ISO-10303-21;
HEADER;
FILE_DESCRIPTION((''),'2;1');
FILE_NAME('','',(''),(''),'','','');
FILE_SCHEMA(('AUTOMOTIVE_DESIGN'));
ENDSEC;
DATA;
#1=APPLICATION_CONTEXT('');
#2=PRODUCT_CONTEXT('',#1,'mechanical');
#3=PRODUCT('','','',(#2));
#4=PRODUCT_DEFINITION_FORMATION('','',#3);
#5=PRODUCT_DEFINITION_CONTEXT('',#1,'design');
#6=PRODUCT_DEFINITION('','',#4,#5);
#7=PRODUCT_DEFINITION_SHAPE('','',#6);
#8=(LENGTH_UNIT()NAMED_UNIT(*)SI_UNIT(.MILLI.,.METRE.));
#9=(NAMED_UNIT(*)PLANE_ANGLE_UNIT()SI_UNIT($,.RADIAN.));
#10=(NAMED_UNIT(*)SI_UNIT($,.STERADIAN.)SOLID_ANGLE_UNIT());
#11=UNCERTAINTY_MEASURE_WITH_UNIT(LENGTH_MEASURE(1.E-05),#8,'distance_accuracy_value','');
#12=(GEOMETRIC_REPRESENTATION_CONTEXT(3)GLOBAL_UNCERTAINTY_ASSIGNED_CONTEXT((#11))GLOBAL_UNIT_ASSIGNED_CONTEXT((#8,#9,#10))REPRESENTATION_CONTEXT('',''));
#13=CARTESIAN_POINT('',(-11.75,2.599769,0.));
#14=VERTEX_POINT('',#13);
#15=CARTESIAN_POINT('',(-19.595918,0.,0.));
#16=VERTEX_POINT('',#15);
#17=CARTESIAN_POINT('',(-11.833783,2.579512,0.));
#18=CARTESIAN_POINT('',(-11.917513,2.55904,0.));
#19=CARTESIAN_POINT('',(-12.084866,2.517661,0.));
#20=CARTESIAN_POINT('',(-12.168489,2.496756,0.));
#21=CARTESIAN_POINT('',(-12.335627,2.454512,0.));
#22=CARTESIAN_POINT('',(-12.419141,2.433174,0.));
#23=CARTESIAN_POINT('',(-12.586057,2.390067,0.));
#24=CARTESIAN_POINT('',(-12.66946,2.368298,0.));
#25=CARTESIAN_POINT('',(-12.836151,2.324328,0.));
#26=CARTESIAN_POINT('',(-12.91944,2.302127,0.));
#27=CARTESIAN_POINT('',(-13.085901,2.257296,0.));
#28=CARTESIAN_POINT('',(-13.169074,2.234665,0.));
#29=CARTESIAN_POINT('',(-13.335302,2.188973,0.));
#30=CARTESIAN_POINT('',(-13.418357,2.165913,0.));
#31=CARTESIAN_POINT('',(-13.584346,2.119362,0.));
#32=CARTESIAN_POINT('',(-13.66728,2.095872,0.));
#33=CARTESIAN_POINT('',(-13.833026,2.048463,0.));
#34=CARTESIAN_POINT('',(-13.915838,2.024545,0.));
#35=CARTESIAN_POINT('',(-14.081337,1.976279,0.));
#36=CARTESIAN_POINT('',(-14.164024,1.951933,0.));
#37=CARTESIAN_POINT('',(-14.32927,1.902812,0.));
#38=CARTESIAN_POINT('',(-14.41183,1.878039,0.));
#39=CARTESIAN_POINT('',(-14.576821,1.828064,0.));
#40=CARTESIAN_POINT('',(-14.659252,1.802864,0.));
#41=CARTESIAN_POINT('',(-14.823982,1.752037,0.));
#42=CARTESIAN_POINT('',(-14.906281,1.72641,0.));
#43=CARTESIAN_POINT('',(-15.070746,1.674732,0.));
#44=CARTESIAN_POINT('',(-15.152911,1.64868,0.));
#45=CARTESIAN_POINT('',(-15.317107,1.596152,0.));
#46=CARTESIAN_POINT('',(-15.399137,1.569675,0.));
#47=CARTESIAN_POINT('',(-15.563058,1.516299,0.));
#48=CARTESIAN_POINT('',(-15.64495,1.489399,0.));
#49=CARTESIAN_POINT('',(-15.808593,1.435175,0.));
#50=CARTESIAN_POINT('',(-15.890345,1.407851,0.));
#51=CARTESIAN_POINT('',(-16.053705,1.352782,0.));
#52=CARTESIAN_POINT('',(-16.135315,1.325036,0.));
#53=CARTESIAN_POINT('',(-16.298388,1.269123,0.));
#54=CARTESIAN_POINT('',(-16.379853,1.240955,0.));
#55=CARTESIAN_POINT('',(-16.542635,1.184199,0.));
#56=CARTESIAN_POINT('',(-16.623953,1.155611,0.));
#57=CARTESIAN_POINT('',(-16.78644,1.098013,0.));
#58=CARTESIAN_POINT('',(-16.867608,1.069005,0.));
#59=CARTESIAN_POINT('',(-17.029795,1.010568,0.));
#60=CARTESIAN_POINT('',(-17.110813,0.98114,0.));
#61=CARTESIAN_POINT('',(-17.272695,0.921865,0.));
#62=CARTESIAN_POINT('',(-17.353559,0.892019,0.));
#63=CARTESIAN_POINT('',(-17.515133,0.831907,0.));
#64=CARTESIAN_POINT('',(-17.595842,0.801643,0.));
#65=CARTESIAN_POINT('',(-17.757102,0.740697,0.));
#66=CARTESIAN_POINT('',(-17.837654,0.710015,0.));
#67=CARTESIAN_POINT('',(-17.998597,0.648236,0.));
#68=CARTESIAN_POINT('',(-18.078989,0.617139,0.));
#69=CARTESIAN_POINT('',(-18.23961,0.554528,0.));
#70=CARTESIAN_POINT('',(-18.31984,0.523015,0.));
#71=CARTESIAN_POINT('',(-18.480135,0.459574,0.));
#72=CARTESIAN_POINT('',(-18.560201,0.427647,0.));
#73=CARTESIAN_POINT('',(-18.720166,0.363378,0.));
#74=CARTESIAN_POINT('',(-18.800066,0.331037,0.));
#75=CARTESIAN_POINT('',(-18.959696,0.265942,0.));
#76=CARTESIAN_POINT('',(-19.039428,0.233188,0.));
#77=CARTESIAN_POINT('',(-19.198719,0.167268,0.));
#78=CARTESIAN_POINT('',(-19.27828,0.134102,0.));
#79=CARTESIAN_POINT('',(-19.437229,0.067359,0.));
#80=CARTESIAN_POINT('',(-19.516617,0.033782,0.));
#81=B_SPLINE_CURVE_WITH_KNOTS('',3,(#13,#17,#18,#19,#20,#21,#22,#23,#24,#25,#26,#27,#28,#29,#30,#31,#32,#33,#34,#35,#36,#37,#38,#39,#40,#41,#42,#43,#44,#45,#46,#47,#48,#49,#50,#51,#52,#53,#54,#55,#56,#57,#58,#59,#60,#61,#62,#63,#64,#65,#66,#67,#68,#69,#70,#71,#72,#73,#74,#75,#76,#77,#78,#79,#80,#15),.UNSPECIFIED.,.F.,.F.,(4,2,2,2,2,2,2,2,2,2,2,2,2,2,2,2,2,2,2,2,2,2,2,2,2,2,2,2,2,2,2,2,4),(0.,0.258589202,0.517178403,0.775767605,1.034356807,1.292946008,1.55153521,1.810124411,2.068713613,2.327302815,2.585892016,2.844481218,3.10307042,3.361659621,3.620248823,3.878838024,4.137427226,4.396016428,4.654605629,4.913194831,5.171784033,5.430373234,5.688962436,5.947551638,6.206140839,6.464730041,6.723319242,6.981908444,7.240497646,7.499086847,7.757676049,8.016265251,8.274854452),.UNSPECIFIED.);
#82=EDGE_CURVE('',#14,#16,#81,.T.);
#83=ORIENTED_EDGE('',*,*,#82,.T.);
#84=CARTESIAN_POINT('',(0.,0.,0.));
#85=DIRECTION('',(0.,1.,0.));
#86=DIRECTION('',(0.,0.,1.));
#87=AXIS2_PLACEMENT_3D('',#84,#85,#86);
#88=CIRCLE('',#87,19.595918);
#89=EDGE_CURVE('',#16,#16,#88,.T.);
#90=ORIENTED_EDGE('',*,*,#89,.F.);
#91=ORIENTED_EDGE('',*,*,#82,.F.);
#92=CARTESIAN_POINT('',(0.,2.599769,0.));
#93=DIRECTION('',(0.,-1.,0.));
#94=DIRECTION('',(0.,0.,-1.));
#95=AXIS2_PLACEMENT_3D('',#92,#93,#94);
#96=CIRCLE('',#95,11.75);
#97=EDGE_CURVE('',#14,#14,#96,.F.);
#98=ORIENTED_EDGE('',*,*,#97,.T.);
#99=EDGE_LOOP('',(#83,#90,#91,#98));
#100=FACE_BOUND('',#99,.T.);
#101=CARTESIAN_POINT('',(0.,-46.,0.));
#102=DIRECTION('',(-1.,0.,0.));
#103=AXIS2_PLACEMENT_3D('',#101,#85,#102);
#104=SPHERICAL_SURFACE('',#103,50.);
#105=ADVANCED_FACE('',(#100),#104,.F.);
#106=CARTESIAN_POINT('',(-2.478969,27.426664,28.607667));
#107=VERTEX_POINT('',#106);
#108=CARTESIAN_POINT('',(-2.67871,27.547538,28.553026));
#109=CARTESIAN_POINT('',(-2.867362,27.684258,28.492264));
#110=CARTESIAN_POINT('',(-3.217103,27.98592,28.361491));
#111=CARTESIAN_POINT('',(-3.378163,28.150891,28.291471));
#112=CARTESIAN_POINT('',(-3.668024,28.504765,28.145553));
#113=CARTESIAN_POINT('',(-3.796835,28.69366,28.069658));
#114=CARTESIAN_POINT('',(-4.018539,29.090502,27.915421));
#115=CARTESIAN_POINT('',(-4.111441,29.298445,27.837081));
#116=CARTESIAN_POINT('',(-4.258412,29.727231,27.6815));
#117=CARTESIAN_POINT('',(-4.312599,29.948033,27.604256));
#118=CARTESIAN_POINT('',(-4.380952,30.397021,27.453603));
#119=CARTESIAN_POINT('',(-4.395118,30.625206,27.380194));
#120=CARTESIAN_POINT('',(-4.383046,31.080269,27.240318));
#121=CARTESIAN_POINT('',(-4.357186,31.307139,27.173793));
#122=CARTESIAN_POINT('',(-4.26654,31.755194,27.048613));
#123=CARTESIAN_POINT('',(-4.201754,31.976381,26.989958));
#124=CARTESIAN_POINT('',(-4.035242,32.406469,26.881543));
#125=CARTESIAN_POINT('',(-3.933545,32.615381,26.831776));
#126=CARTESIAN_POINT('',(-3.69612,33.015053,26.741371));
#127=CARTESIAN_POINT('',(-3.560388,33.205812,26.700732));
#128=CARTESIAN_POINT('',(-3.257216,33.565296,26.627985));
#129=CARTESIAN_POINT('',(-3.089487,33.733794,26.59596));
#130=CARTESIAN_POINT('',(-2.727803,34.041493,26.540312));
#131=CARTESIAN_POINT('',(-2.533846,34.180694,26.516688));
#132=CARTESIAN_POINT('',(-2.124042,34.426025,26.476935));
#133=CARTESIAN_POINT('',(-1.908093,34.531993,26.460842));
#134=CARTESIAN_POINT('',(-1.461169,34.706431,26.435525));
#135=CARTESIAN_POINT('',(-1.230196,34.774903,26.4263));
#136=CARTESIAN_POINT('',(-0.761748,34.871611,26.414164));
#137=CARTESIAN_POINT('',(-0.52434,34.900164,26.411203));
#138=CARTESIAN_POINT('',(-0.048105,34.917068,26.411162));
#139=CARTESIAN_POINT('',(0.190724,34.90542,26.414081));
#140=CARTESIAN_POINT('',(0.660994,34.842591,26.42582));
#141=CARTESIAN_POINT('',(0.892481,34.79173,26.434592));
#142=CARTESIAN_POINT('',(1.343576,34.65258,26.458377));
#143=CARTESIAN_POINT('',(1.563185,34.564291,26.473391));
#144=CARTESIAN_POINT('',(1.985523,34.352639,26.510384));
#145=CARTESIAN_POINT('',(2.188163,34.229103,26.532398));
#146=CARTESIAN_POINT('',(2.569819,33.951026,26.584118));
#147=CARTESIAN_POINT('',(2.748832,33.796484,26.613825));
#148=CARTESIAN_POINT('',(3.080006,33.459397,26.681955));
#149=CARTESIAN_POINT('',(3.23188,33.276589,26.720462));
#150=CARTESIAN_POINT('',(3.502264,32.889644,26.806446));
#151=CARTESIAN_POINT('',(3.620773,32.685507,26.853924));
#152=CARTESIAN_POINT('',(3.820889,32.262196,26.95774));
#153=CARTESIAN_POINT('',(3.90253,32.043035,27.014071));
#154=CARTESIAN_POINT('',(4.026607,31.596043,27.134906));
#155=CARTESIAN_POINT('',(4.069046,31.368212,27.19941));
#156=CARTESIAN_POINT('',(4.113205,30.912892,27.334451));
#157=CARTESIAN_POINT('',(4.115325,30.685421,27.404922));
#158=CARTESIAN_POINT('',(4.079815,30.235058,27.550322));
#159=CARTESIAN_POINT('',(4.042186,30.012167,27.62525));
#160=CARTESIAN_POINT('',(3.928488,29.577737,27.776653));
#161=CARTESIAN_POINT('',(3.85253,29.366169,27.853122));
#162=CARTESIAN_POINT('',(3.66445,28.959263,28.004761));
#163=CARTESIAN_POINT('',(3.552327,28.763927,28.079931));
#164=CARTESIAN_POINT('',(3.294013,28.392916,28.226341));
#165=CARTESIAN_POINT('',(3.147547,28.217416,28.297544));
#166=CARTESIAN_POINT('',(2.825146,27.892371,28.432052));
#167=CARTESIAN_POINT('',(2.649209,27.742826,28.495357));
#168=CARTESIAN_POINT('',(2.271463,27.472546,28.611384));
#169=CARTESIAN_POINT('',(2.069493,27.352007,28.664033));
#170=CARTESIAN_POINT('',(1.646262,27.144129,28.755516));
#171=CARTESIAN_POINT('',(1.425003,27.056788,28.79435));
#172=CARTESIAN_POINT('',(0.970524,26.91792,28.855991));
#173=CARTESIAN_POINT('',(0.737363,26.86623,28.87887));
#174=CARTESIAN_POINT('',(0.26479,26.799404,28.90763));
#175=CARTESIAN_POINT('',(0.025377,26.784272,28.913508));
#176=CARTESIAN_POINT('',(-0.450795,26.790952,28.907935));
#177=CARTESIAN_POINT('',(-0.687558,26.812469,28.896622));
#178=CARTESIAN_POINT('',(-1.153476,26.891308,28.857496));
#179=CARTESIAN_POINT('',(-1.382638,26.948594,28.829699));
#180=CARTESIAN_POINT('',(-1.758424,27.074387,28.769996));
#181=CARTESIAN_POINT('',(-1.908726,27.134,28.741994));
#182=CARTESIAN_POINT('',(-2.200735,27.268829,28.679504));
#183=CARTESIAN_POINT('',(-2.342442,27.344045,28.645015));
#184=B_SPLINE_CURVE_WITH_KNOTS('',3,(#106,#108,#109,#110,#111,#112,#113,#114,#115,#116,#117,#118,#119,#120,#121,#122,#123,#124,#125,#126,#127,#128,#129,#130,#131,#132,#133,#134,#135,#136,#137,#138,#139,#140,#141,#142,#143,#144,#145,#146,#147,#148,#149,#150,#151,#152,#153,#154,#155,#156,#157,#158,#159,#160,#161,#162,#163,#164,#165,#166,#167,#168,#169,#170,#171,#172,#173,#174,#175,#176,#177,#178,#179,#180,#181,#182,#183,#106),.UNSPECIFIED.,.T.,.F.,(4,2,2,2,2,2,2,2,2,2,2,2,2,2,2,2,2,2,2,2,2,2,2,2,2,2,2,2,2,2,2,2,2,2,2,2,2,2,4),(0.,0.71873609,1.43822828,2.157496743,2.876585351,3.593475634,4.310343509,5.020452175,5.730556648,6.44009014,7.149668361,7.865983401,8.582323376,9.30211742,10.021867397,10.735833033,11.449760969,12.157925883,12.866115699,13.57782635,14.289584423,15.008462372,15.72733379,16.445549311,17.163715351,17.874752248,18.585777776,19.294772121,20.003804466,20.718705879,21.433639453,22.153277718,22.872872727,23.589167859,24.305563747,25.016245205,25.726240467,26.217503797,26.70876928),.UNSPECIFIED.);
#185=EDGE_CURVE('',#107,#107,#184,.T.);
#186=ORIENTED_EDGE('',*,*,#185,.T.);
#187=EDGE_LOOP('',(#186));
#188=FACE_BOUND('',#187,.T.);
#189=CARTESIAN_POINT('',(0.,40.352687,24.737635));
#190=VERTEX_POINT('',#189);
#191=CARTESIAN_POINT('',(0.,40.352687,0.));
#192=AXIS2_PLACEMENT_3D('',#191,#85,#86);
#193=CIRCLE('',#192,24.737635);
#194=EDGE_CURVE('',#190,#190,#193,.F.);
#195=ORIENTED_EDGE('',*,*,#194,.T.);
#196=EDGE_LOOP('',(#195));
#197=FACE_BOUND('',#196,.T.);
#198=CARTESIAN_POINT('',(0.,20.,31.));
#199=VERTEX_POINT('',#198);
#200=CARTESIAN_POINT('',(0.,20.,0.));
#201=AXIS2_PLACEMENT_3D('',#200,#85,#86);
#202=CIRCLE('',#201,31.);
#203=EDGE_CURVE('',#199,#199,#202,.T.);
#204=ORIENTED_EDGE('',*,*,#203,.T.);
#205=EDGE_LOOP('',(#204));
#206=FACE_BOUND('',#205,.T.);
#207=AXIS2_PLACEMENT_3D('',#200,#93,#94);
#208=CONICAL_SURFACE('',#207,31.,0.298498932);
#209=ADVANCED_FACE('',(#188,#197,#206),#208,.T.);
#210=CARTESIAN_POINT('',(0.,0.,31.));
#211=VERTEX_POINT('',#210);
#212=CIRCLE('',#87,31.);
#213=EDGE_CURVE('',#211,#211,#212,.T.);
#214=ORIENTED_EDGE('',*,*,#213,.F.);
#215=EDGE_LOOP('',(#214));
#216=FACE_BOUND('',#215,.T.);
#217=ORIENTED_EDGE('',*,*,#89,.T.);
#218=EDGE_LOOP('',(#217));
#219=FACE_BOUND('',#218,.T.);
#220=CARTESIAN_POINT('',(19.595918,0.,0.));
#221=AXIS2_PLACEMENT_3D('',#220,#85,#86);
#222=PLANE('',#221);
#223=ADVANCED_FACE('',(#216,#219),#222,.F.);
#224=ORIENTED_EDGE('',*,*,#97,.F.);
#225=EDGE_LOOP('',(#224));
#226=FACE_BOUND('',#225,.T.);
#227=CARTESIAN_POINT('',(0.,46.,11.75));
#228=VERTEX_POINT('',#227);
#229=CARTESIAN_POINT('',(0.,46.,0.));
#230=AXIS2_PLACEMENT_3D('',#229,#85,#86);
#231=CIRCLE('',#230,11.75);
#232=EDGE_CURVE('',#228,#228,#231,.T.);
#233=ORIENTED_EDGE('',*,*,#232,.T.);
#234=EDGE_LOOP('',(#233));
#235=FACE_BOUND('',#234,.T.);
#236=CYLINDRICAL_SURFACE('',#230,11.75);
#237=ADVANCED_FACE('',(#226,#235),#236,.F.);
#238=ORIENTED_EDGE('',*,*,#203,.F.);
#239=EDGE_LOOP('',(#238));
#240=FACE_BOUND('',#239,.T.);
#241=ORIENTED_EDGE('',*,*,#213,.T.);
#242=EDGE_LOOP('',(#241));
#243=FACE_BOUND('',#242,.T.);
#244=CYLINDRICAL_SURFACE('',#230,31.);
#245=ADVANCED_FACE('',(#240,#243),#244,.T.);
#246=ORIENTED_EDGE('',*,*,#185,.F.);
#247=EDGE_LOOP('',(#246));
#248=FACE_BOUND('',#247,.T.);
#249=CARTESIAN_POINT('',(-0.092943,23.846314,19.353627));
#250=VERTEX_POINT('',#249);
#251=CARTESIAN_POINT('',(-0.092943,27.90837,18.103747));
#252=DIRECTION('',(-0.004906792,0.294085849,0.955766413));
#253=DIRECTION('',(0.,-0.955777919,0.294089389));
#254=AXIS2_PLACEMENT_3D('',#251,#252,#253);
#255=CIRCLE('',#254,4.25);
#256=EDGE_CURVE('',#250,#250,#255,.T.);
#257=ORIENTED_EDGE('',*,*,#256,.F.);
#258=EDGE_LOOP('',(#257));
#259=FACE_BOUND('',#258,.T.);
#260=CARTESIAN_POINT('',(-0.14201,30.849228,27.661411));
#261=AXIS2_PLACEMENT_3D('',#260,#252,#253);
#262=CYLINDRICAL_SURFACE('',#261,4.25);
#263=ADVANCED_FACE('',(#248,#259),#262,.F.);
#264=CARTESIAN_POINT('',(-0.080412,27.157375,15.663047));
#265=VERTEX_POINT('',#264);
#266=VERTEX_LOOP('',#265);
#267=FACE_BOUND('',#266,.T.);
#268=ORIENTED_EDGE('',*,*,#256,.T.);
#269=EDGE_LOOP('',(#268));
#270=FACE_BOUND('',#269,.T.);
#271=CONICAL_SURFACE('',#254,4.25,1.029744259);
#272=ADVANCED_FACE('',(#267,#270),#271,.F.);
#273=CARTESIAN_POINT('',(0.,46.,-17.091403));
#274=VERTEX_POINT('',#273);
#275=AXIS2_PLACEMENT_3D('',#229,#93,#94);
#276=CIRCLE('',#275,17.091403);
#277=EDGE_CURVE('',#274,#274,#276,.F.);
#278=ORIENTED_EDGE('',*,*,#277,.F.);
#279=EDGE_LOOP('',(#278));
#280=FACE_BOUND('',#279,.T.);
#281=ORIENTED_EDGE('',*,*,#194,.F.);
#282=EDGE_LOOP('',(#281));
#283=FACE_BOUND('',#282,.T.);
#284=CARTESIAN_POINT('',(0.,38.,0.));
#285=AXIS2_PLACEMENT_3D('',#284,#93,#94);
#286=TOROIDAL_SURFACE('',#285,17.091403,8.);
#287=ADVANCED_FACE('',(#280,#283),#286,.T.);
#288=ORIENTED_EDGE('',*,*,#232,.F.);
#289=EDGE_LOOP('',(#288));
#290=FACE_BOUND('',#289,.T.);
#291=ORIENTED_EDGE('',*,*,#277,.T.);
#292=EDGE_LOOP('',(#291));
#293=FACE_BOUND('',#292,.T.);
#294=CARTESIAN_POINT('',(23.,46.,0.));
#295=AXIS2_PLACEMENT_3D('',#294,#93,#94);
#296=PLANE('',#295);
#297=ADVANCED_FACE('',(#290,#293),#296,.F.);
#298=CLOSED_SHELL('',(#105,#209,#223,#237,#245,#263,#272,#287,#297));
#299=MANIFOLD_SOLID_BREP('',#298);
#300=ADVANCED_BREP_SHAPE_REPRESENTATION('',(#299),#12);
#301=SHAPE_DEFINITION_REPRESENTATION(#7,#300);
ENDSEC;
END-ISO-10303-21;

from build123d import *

# Parameters (mm, degrees)
FILLET1_R              = 8
M10_TAPPED_HOLE1_D     = 8.5
M10_TAPPED_HOLE1_DEPTH = 10
M10_TAPPED_HOLE1_TIP   = 2.553657631
M25X1_5_TAPPED_HOLE1_D = 23.5


with BuildPart() as part:
    # Sketch2 → Revolve1 (revolve)
    with BuildSketch(Plane.XY, mode=Mode.PRIVATE) as revolve1_sk:
        with BuildLine():
            Line((19.595917942, 0), (31, 0))
            Line((31, 0), (31, 20))
            Line((31, 20), (23, 46))
            Line((23, 46), (0, 46))
            Line((0, 46), (0, 4))
            ThreePointArc((0, 4), (10, 2.989794856), (19.595917942, 0))
        make_face()
    revolve(revolve1_sk.sketch.rotate(Axis((0, 46, 0), (0, -1, 0)), 90), axis=Axis((0, 46, 0), (0, -1, 0)))

    # Fillet1
    fillet1_edges = [part.edges().sort_by_distance(p)[0] for p in [
        (0, 46, -23),
    ]]
    fillet(fillet1_edges, radius=FILLET1_R)

    # M10 Tapped Hole1
    with Locations(Plane(origin=(-0.142010422, 30.849228359, 27.66141136), x_dir=(0, 0.955777919374, -0.294089389196), z_dir=(-0.00490679199, 0.294085848838, 0.955766413359))):
        with Locations((0, 0)):
            Hole(M10_TAPPED_HOLE1_D / 2, depth=M10_TAPPED_HOLE1_DEPTH)
            with Locations((0, 0, -(M10_TAPPED_HOLE1_DEPTH + M10_TAPPED_HOLE1_TIP / 2))):  # 118° drill point
                Cone(0, M10_TAPPED_HOLE1_D / 2, M10_TAPPED_HOLE1_TIP, mode=Mode.SUBTRACT)

    # M25x1.5 Tapped Hole1 (through all)
    with Locations(Plane.ZX.offset(46)):
        with Locations((0, 0)):
            Hole(M25X1_5_TAPPED_HOLE1_D / 2)


solid = part.part
